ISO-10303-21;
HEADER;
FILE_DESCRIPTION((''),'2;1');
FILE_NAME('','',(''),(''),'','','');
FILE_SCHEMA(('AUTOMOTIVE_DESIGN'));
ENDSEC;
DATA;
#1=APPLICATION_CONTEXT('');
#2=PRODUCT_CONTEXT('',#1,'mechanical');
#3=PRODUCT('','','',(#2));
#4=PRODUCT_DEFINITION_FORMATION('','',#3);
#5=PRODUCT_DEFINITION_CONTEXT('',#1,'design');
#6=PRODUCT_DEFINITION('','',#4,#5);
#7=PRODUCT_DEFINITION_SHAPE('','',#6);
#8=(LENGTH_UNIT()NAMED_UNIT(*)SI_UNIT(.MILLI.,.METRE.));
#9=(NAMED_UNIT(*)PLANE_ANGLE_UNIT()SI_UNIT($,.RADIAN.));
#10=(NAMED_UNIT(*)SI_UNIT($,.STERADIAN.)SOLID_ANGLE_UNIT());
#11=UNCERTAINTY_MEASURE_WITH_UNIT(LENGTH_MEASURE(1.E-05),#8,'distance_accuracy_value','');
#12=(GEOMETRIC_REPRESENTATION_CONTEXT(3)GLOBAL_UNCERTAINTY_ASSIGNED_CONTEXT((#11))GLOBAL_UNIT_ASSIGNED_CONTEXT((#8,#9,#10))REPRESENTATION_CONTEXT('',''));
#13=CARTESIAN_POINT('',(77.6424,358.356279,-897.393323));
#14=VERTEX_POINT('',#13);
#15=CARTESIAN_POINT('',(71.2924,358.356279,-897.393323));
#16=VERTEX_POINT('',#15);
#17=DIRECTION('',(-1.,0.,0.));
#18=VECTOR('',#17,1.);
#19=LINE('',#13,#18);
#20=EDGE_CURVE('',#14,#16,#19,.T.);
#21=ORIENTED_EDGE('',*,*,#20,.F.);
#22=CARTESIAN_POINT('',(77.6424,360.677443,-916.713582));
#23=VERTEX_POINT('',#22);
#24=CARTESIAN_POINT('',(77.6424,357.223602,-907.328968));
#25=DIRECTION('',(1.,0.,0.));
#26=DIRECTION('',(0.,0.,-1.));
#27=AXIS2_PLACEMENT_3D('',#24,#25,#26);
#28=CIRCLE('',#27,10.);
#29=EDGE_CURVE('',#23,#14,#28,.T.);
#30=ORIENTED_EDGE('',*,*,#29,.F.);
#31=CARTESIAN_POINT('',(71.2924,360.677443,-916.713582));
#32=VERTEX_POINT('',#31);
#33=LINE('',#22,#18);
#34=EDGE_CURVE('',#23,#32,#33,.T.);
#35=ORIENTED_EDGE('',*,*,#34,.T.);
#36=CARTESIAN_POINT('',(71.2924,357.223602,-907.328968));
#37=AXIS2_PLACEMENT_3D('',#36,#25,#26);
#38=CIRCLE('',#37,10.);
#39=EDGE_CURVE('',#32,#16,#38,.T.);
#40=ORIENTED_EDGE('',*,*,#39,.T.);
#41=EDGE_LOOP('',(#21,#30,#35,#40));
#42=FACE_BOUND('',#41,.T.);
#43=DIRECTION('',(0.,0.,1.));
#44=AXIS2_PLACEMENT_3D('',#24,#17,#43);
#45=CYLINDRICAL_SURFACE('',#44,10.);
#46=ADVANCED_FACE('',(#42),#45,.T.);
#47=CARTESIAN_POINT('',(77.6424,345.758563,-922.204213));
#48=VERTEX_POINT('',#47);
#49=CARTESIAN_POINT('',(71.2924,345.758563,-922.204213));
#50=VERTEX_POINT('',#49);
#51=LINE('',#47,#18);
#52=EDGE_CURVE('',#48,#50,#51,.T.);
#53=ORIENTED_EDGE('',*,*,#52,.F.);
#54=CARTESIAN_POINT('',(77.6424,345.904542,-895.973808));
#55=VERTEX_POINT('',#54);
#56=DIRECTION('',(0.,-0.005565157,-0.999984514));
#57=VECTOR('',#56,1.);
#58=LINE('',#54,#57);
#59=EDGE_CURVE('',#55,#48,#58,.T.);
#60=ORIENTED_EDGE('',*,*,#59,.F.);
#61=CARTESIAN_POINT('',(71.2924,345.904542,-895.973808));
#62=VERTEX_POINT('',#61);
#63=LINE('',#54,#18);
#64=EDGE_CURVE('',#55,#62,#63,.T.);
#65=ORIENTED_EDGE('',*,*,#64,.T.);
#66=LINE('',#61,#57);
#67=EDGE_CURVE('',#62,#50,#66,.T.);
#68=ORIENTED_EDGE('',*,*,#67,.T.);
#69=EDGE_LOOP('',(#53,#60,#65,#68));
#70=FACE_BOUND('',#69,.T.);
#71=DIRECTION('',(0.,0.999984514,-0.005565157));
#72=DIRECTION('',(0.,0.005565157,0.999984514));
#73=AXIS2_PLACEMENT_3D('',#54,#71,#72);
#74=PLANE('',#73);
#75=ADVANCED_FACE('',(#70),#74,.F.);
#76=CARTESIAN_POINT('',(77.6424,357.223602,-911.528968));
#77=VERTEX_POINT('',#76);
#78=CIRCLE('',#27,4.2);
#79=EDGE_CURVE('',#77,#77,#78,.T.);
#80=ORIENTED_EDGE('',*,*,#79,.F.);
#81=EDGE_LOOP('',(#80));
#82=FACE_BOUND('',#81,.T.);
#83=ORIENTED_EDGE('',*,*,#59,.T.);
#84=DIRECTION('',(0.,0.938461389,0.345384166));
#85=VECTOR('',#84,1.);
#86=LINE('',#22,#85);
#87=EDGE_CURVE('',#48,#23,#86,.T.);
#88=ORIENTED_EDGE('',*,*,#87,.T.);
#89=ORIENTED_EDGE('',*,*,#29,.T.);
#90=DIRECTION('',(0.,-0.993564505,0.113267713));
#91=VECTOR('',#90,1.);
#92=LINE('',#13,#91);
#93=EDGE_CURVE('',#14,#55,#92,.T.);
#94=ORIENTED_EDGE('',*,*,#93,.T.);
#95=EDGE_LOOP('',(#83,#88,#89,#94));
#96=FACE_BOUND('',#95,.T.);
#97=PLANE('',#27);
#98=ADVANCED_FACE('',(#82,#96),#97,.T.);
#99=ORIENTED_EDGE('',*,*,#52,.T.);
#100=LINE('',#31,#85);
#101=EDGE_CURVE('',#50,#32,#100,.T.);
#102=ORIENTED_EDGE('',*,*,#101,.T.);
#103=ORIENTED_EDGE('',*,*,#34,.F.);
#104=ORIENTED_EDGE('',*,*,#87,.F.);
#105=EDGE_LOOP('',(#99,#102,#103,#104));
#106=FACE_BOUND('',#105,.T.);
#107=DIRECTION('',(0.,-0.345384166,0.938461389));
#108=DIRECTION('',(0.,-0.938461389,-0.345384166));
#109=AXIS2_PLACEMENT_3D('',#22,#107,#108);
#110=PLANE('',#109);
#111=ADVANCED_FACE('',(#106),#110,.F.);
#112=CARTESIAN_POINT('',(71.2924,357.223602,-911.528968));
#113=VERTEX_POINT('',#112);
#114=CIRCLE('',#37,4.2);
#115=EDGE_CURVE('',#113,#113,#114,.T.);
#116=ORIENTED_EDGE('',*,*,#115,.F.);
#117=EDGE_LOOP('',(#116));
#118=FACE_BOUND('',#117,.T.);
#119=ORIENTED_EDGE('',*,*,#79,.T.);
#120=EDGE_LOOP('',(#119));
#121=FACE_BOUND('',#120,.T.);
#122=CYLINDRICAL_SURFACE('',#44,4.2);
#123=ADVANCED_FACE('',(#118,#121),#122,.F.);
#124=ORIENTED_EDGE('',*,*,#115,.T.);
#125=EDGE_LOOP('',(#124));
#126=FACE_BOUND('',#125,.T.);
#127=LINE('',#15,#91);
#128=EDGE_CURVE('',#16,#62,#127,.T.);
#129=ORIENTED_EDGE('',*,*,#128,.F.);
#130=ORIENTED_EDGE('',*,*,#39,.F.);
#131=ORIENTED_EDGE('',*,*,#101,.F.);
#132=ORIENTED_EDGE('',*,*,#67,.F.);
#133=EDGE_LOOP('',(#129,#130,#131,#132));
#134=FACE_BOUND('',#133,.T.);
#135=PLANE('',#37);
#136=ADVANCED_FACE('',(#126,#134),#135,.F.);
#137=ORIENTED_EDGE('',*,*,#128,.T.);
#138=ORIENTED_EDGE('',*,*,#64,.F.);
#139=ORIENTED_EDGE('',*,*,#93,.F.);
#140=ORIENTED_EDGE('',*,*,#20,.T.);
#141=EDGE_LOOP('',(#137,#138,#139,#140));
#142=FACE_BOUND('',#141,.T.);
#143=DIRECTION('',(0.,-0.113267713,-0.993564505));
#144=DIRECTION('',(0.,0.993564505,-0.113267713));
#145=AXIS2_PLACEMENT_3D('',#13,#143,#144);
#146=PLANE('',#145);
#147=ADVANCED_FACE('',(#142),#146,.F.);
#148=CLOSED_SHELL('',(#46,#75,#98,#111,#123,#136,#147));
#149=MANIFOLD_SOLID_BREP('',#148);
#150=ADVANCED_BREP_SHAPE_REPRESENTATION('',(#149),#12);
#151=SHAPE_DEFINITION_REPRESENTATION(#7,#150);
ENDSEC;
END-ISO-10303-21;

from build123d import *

# Parameters (mm, degrees)
SKETCH1_R           = 4.2
BOSS_EXTRUDE1_DEPTH = 6.35


with BuildPart() as part:
    # Sketch1 → Boss-Extrude1 (new body)
    with BuildSketch(Plane(origin=(71.29240007, 0, 0), x_dir=(0, 0, -1), z_dir=(1, 0, 0))):
        with BuildLine():
            Line((916.713582015, 360.677443288), (922.204212824, 345.758563031))
            Line((922.204212824, 345.758563031), (895.973808013, 345.904541612))
            Line((895.973808013, 345.904541612), (897.39332308, 358.356278755))
            ThreePointArc((897.39332308, 358.356278755), (906.13613116, 367.152203744), (916.713582015, 360.677443288))
        make_face()
        with Locations((907.328968128, 357.223601629)):
            Circle(SKETCH1_R, mode=Mode.SUBTRACT)
    extrude(amount=BOSS_EXTRUDE1_DEPTH)


solid = part.part
